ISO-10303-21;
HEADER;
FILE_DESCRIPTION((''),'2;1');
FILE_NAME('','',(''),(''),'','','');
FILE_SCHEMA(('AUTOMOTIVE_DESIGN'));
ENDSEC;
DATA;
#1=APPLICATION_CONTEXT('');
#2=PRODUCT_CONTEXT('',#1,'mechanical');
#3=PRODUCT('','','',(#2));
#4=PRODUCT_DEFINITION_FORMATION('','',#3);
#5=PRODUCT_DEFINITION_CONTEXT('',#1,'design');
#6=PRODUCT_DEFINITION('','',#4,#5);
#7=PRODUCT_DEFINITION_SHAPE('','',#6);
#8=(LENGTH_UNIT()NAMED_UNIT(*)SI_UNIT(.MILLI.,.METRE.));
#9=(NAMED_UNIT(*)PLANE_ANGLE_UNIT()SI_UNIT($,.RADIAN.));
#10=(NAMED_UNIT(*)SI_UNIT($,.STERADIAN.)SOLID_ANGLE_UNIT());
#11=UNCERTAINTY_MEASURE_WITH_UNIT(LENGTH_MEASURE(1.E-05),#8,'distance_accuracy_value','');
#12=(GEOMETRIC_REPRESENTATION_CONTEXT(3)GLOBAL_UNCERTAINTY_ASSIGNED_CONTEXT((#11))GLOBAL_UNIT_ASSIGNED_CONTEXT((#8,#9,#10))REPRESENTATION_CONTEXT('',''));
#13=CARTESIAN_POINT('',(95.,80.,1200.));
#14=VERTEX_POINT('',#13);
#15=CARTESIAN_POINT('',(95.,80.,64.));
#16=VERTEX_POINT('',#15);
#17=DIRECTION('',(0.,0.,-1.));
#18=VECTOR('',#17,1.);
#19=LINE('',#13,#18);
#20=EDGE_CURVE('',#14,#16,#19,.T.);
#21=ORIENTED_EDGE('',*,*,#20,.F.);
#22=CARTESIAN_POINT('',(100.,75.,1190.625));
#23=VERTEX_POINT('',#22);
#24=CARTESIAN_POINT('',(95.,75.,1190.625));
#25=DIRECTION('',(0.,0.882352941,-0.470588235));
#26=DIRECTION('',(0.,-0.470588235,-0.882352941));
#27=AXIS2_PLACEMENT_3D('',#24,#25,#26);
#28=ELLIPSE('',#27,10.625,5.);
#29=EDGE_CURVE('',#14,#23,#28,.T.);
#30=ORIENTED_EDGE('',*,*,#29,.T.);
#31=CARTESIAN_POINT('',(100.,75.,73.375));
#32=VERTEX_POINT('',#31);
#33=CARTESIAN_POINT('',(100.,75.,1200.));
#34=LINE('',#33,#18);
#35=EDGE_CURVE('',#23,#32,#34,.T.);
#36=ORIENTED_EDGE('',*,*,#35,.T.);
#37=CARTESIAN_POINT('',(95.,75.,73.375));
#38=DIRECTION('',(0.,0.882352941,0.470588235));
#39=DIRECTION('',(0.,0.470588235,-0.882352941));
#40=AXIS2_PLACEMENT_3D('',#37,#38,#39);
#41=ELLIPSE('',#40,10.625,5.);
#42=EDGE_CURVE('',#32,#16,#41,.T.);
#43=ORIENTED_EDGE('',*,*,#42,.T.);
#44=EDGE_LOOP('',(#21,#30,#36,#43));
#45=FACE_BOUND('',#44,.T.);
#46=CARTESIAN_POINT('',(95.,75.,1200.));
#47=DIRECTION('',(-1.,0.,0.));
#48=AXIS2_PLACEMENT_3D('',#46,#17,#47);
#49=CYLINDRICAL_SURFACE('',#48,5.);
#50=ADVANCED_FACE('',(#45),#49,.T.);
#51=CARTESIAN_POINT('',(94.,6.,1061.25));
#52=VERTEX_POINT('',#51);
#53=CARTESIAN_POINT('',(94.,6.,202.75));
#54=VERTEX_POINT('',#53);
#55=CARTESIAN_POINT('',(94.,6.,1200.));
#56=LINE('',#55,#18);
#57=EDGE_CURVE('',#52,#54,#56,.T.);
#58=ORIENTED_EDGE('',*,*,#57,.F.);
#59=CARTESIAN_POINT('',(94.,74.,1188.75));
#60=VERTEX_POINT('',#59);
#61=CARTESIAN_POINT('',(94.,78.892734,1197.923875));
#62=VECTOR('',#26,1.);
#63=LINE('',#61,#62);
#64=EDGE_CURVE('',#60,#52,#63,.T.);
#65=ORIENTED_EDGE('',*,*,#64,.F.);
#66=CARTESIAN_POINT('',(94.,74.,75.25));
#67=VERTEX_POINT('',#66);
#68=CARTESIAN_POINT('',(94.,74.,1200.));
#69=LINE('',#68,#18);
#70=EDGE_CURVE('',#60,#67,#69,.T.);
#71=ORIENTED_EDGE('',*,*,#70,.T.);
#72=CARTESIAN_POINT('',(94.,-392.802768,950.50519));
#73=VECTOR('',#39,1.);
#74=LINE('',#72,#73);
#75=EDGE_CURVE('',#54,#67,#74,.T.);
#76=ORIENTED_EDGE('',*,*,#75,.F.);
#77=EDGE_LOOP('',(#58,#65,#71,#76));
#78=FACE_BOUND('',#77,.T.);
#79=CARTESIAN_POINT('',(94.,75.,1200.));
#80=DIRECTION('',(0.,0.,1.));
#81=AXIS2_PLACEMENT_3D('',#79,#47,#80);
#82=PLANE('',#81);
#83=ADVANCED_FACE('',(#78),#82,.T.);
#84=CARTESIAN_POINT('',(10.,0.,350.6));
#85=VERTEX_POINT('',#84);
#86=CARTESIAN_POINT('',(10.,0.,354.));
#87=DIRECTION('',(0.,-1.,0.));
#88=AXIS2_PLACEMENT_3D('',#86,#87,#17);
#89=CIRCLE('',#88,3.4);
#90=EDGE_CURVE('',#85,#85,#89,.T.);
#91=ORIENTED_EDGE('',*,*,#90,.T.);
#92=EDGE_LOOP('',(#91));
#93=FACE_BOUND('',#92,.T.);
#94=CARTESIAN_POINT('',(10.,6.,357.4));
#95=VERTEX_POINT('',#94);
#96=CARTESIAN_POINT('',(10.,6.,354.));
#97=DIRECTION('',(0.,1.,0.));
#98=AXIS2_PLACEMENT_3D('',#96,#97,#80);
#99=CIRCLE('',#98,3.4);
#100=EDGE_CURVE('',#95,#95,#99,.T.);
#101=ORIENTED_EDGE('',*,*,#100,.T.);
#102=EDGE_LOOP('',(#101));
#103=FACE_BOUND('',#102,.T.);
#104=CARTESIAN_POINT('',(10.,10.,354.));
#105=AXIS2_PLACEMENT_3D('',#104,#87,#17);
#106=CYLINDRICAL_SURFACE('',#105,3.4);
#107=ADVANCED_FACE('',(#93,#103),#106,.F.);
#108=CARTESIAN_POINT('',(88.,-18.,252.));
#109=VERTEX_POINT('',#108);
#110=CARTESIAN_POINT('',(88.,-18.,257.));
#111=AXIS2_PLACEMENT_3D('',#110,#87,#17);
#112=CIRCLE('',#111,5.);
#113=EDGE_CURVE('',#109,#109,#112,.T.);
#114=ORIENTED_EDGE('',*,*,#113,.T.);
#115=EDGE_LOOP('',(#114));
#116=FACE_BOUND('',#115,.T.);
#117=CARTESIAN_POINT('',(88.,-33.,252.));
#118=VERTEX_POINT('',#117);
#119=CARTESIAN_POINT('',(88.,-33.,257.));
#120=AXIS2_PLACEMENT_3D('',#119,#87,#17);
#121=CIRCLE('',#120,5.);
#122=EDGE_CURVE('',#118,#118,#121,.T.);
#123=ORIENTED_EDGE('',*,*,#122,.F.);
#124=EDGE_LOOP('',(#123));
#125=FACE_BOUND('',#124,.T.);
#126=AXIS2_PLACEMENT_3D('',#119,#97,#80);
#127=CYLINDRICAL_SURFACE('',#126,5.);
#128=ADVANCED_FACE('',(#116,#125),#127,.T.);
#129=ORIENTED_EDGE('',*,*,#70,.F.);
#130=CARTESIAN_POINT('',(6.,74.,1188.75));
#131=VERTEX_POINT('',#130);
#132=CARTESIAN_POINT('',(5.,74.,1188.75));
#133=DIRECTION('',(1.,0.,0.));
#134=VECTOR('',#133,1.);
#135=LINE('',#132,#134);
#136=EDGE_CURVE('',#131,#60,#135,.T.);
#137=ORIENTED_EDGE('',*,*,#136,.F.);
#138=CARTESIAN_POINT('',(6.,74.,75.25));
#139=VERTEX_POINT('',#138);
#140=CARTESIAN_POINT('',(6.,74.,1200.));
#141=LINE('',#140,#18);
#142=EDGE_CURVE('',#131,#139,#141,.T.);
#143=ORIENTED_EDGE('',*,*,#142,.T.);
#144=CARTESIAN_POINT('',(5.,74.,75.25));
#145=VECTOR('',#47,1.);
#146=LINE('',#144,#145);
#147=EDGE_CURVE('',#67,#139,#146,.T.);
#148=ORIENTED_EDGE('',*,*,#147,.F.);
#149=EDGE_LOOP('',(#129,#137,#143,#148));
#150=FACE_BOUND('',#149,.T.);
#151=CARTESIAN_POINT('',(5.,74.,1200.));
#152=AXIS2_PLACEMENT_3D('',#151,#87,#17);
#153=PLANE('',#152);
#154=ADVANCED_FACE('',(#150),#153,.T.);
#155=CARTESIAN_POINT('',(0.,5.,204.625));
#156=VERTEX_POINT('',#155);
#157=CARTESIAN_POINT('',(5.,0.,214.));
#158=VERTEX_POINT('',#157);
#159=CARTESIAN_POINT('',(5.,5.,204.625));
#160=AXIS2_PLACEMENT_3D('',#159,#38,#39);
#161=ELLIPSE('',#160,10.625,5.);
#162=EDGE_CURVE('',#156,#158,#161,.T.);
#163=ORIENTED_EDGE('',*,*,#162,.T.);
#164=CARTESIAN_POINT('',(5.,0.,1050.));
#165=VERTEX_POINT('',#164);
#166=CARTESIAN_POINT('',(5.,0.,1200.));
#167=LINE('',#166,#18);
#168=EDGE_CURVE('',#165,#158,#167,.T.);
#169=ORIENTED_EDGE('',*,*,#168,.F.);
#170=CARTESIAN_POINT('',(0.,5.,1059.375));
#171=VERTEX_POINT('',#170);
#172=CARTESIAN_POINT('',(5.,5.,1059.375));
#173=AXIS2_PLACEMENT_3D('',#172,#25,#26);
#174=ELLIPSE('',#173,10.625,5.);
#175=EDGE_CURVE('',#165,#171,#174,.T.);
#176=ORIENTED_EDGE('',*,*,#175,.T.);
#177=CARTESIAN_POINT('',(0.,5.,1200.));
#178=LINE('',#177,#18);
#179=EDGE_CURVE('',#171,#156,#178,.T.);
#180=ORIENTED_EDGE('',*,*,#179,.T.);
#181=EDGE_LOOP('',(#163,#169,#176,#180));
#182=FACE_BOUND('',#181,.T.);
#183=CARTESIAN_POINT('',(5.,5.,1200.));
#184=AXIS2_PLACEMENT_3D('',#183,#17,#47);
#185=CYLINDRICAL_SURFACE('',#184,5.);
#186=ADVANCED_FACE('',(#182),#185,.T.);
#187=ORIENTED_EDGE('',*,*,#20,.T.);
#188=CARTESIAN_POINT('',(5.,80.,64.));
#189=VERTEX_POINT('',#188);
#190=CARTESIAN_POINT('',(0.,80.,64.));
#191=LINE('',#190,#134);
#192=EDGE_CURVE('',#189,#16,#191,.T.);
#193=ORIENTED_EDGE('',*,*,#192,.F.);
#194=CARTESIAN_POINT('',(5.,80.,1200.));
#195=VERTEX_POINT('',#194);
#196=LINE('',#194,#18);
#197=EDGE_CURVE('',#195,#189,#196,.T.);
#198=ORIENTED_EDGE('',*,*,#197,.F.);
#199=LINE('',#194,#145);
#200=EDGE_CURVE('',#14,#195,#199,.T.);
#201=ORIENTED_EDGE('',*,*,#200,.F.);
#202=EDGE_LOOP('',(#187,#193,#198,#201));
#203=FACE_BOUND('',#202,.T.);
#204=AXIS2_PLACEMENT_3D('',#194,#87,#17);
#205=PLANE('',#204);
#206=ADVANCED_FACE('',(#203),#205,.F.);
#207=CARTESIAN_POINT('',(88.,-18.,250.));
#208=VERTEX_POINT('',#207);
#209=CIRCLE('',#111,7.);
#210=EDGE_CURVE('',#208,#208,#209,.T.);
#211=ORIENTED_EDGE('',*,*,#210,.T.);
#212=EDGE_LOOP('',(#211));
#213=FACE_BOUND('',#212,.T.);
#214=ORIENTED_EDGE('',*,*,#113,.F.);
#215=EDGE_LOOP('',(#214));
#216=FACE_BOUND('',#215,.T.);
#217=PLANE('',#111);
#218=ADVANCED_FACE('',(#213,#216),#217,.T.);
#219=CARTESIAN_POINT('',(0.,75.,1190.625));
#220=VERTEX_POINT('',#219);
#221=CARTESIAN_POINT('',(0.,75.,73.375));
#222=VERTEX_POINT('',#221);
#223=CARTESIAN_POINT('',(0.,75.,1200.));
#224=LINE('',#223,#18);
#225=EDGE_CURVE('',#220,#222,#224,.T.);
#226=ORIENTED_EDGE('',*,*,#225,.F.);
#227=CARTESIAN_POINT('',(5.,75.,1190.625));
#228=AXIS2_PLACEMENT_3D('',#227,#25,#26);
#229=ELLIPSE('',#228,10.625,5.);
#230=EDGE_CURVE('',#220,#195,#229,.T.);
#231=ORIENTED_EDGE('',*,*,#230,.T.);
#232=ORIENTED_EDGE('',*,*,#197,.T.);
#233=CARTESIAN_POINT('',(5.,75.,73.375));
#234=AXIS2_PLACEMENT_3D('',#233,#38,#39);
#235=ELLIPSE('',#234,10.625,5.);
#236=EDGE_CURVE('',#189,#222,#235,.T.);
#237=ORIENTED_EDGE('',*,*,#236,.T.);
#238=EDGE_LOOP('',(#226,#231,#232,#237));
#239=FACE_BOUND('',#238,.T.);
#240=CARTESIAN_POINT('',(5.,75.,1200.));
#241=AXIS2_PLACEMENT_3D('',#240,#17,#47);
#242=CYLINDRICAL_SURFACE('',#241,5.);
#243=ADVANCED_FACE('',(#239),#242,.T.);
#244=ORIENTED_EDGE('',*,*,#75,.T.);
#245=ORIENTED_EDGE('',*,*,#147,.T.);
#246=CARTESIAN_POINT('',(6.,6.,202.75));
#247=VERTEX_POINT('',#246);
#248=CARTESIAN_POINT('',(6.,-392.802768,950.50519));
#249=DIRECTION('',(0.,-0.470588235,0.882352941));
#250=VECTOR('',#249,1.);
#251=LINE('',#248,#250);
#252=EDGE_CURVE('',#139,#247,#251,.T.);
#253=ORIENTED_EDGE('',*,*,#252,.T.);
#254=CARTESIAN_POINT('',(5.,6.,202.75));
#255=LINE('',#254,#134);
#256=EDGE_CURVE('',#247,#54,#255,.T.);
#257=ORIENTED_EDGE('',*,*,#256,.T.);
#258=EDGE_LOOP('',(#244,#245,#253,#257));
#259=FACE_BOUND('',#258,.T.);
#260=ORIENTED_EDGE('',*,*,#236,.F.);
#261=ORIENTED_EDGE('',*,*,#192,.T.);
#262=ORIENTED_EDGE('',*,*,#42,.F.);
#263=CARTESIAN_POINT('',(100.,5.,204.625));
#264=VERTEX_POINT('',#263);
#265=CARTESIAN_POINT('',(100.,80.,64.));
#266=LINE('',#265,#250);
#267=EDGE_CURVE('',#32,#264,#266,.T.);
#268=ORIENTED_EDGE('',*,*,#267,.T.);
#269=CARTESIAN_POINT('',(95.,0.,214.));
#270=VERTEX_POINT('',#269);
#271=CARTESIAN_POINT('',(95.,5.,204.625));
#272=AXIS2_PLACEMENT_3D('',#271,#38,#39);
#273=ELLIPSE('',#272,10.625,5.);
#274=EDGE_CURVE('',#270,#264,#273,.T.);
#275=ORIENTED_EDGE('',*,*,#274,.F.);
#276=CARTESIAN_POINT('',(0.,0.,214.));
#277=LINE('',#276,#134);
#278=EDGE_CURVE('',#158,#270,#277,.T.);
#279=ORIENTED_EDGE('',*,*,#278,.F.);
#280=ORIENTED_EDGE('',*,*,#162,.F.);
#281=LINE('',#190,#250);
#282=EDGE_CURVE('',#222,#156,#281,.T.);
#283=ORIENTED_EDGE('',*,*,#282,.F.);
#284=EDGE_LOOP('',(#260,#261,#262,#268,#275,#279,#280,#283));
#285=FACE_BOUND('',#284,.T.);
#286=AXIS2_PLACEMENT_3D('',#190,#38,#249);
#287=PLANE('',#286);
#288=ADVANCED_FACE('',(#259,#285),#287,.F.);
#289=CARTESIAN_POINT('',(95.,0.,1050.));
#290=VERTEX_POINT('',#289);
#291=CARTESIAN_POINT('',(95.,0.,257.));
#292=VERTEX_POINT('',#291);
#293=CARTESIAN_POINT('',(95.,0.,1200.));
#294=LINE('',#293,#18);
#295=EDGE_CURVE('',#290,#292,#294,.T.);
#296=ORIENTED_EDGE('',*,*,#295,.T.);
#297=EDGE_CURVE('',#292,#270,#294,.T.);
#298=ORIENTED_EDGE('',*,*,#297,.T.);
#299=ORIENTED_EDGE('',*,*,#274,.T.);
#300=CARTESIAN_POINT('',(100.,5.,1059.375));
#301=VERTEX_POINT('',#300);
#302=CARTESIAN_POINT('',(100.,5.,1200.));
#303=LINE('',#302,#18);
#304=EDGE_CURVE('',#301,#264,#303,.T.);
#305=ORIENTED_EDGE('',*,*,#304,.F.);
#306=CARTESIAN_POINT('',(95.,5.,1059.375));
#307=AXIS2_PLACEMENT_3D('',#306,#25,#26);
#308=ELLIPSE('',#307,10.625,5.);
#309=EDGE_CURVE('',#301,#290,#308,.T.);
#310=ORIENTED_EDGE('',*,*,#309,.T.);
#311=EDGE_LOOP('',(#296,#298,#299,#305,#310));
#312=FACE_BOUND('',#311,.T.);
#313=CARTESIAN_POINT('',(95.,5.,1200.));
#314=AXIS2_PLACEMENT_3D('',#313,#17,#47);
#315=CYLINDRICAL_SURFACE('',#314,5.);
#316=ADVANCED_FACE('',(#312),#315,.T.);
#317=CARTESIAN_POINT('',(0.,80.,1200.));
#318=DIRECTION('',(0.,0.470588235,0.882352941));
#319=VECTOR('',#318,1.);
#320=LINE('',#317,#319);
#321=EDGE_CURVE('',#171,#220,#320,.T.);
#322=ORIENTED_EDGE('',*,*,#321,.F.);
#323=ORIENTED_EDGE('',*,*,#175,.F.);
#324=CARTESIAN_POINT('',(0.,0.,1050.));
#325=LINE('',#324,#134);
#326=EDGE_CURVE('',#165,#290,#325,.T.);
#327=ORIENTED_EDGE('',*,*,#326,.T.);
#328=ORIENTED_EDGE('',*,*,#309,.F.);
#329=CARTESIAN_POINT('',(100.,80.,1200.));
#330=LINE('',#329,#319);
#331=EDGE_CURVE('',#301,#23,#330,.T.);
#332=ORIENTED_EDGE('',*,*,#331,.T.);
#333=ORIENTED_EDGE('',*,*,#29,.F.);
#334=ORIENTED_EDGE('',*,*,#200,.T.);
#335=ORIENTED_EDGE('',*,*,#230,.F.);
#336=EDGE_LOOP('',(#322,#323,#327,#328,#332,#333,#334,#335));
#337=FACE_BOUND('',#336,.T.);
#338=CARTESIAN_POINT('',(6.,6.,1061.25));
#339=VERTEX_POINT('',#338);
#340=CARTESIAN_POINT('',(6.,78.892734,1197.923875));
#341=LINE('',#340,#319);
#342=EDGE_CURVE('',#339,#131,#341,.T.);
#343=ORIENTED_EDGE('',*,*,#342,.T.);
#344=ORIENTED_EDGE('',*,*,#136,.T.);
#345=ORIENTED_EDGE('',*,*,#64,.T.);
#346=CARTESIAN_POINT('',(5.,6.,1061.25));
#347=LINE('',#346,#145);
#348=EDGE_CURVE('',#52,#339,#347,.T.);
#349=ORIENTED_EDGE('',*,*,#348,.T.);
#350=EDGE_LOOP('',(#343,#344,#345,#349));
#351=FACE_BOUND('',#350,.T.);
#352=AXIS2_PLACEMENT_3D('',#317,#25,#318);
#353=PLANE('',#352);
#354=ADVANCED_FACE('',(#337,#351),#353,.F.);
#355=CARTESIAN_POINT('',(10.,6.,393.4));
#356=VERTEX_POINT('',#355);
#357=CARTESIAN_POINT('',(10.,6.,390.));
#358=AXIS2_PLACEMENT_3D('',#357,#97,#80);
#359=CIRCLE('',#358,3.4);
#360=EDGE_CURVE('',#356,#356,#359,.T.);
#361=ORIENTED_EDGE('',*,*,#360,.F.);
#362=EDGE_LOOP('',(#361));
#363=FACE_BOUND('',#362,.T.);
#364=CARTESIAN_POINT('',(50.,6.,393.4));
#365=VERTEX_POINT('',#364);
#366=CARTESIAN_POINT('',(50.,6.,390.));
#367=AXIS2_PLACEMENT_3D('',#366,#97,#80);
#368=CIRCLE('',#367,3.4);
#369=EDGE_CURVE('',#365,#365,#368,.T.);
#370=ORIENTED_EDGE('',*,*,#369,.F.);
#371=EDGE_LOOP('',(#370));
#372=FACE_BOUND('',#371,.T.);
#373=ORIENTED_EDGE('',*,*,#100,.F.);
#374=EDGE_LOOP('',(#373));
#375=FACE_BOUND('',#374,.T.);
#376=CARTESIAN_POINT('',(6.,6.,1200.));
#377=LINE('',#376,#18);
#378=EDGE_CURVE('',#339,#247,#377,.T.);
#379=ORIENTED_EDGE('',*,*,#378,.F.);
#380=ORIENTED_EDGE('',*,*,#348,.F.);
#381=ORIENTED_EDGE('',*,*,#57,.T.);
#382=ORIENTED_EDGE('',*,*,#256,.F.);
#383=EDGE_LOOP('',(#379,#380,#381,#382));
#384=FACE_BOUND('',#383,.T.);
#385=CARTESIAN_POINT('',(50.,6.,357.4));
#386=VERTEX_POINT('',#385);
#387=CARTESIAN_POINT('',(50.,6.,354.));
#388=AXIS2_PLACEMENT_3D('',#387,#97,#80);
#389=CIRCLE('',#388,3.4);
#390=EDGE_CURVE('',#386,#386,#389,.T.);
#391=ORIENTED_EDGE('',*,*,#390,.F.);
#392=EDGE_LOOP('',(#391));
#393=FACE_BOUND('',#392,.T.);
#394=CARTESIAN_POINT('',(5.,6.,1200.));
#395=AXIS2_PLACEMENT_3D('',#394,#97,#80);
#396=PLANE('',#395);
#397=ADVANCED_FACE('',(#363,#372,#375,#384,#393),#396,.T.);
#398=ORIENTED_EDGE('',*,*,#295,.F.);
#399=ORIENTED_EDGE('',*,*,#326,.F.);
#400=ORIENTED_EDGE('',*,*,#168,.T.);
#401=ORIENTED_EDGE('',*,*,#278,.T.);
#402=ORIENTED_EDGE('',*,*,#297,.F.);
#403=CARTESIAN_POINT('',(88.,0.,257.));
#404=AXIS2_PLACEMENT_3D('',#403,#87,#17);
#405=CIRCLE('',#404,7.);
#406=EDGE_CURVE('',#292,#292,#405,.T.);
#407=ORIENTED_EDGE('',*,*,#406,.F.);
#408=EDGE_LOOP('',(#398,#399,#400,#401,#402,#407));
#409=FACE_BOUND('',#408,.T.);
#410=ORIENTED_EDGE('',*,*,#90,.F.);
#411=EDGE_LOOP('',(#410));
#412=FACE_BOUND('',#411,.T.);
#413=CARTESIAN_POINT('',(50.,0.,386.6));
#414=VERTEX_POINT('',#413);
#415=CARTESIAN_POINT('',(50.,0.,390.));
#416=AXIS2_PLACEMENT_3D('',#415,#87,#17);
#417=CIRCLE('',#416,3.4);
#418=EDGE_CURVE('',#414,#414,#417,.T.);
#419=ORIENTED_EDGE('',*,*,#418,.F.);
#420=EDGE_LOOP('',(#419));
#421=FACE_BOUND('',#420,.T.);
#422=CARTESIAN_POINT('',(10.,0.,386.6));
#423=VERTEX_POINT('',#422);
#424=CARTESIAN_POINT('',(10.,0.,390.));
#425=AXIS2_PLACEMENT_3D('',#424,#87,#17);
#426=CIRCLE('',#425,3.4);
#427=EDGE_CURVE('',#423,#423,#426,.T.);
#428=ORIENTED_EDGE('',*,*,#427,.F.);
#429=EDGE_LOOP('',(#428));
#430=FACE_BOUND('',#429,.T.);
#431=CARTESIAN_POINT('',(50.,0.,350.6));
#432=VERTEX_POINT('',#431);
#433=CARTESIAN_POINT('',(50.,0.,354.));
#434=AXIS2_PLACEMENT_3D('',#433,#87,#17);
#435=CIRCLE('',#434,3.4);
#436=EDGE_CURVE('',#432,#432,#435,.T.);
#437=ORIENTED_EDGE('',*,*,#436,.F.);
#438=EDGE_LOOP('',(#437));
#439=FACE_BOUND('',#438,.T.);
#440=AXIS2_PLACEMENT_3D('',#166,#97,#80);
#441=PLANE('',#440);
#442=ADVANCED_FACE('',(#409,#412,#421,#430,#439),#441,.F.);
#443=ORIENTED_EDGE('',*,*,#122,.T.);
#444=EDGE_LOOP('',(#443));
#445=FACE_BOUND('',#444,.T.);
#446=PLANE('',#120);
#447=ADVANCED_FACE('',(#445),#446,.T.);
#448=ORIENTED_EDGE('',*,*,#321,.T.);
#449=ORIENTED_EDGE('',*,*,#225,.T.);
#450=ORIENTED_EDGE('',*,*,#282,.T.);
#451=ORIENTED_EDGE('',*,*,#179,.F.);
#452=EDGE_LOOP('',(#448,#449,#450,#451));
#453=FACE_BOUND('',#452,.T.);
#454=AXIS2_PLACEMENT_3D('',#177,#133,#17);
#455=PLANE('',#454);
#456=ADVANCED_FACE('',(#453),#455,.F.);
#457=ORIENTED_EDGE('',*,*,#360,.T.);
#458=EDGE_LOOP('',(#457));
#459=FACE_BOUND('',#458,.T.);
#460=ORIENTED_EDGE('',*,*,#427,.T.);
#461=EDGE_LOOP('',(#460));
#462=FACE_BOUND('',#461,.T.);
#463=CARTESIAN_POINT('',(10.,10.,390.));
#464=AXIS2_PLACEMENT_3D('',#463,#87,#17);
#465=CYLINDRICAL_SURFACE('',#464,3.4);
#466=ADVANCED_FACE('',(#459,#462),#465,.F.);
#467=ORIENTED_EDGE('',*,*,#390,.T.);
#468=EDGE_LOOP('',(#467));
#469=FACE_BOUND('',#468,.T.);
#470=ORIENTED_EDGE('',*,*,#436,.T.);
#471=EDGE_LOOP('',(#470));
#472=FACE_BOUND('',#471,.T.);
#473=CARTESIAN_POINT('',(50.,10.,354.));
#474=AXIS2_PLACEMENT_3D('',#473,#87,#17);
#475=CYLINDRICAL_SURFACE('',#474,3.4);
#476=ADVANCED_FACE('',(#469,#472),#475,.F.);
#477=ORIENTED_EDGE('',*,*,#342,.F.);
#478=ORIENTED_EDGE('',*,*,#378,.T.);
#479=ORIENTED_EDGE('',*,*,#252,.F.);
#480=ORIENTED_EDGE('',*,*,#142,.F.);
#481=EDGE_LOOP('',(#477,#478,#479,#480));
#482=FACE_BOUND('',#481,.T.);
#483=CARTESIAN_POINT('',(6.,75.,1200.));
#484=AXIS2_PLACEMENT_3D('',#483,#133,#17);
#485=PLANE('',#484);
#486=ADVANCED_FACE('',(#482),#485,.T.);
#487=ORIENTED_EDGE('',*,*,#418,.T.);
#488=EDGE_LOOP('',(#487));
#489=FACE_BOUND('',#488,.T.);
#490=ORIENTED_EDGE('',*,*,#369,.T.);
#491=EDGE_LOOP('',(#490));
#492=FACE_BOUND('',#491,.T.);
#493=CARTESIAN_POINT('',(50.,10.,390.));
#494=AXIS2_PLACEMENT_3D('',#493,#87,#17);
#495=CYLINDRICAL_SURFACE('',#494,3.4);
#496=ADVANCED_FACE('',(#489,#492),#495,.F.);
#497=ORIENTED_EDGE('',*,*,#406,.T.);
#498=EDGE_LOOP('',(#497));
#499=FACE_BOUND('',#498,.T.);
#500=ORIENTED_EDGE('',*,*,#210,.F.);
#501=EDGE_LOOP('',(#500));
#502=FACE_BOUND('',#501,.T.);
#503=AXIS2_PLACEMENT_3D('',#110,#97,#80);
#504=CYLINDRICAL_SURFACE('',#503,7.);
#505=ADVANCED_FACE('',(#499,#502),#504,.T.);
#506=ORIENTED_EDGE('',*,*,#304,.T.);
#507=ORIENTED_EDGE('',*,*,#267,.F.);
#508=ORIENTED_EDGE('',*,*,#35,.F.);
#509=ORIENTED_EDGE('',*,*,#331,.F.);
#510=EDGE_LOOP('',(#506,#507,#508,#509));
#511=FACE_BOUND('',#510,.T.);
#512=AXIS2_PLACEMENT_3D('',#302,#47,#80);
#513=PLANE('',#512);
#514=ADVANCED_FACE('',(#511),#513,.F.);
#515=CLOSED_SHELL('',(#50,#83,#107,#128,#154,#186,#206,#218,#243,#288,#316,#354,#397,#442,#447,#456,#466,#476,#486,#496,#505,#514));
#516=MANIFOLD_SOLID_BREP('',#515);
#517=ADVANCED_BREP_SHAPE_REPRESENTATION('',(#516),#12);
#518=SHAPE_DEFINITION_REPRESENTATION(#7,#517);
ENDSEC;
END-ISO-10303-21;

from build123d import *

# Parameters (mm, degrees)
SCHIZZO1_W                   = 88
SCHIZZO1_H                   = 68
ESTRUSIONE_SOTTILE1_DEPTH    = 1200
ESTRUSIONE1_DEPTH            = 1207.813987324
SCHIZZO3_R                   = 3.4
TAGLIO_ESTRUSIONE1_DEPTH     = 10
RIPETIZIONE_A_L1_COUNT       = 2
RIPETIZIONE_A_L1_PITCH       = 40
RIPETIZIONE_A_L1_COUNT_DIR2  = 2
RIPETIZIONE_A_L1_PITCH_DIR2  = 36
SCHIZZO4_R                   = 7
ESTRUSIONE_ESTRUSIONE1_DEPTH = 18
SCHIZZO5_R                   = 5
ESTRUSIONE_ESTRUSIONE2_DEPTH = 15


with BuildPart() as part:
    # Schizzo1 → Estrusione-Sottile1 (new body)
    with BuildSketch(Plane.XY):
        with BuildLine():
            Line((5, 0), (95, 0))
            ThreePointArc((95, 0), (98.535533906, 1.464466094), (100, 5))
            Line((100, 5), (100, 75))
            ThreePointArc((100, 75), (98.535533906, 78.535533906), (95, 80))
            Line((95, 80), (5, 80))
            ThreePointArc((5, 80), (1.464466094, 78.535533906), (0, 75))
            Line((0, 75), (0, 5))
            ThreePointArc((0, 5), (1.464466094, 1.464466094), (5, 0))
        make_face()
        with Locations((50, 40)):
            Rectangle(SCHIZZO1_W, SCHIZZO1_H, mode=Mode.SUBTRACT)
    extrude(amount=ESTRUSIONE_SOTTILE1_DEPTH)

    # Schizzo2 → Estrusione1 (cut, through all)
    with BuildSketch(Plane(origin=(100, 0, 0), x_dir=(0, 0, -1), z_dir=(1, 0, 0))):
        Polygon((-1200, 80), (-1050, 0), (-1200, 0), align=None)
        Polygon((-64, 80), (-214, 0), (0, 0), (0, 80), align=None)
    extrude(amount=-ESTRUSIONE1_DEPTH, mode=Mode.SUBTRACT)

    # Schizzo3 → Taglio-Estrusione1 (cut)
    with BuildSketch(Plane.XZ):
        with Locations(Location((10, 354, 0), (0, 0, 270))):
            Circle(SCHIZZO3_R)
    taglio_estrusione1 = extrude(amount=-TAGLIO_ESTRUSIONE1_DEPTH, mode=Mode.SUBTRACT)

    # Ripetizione a L1: Taglio-Estrusione1 2 × 2
    with Locations(*[(i * RIPETIZIONE_A_L1_PITCH, 0, j * RIPETIZIONE_A_L1_PITCH_DIR2) for i in range(RIPETIZIONE_A_L1_COUNT) for j in range(RIPETIZIONE_A_L1_COUNT_DIR2) if (i, j) != (0, 0)]):
        add(taglio_estrusione1, mode=Mode.SUBTRACT)

    # Schizzo4 → Estrusione-Estrusione1 (add)
    with BuildSketch(Plane.XZ):
        with Locations((88, 257)):
            Circle(SCHIZZO4_R)
    extrude(amount=ESTRUSIONE_ESTRUSIONE1_DEPTH)

    # Schizzo5 → Estrusione-Estrusione2 (add)
    with BuildSketch(Plane.XZ.offset(18)):
        with Locations(Location((88, 257, 0), (0, 0, 270))):
            Circle(SCHIZZO5_R)
    extrude(amount=ESTRUSIONE_ESTRUSIONE2_DEPTH)


solid = part.part
